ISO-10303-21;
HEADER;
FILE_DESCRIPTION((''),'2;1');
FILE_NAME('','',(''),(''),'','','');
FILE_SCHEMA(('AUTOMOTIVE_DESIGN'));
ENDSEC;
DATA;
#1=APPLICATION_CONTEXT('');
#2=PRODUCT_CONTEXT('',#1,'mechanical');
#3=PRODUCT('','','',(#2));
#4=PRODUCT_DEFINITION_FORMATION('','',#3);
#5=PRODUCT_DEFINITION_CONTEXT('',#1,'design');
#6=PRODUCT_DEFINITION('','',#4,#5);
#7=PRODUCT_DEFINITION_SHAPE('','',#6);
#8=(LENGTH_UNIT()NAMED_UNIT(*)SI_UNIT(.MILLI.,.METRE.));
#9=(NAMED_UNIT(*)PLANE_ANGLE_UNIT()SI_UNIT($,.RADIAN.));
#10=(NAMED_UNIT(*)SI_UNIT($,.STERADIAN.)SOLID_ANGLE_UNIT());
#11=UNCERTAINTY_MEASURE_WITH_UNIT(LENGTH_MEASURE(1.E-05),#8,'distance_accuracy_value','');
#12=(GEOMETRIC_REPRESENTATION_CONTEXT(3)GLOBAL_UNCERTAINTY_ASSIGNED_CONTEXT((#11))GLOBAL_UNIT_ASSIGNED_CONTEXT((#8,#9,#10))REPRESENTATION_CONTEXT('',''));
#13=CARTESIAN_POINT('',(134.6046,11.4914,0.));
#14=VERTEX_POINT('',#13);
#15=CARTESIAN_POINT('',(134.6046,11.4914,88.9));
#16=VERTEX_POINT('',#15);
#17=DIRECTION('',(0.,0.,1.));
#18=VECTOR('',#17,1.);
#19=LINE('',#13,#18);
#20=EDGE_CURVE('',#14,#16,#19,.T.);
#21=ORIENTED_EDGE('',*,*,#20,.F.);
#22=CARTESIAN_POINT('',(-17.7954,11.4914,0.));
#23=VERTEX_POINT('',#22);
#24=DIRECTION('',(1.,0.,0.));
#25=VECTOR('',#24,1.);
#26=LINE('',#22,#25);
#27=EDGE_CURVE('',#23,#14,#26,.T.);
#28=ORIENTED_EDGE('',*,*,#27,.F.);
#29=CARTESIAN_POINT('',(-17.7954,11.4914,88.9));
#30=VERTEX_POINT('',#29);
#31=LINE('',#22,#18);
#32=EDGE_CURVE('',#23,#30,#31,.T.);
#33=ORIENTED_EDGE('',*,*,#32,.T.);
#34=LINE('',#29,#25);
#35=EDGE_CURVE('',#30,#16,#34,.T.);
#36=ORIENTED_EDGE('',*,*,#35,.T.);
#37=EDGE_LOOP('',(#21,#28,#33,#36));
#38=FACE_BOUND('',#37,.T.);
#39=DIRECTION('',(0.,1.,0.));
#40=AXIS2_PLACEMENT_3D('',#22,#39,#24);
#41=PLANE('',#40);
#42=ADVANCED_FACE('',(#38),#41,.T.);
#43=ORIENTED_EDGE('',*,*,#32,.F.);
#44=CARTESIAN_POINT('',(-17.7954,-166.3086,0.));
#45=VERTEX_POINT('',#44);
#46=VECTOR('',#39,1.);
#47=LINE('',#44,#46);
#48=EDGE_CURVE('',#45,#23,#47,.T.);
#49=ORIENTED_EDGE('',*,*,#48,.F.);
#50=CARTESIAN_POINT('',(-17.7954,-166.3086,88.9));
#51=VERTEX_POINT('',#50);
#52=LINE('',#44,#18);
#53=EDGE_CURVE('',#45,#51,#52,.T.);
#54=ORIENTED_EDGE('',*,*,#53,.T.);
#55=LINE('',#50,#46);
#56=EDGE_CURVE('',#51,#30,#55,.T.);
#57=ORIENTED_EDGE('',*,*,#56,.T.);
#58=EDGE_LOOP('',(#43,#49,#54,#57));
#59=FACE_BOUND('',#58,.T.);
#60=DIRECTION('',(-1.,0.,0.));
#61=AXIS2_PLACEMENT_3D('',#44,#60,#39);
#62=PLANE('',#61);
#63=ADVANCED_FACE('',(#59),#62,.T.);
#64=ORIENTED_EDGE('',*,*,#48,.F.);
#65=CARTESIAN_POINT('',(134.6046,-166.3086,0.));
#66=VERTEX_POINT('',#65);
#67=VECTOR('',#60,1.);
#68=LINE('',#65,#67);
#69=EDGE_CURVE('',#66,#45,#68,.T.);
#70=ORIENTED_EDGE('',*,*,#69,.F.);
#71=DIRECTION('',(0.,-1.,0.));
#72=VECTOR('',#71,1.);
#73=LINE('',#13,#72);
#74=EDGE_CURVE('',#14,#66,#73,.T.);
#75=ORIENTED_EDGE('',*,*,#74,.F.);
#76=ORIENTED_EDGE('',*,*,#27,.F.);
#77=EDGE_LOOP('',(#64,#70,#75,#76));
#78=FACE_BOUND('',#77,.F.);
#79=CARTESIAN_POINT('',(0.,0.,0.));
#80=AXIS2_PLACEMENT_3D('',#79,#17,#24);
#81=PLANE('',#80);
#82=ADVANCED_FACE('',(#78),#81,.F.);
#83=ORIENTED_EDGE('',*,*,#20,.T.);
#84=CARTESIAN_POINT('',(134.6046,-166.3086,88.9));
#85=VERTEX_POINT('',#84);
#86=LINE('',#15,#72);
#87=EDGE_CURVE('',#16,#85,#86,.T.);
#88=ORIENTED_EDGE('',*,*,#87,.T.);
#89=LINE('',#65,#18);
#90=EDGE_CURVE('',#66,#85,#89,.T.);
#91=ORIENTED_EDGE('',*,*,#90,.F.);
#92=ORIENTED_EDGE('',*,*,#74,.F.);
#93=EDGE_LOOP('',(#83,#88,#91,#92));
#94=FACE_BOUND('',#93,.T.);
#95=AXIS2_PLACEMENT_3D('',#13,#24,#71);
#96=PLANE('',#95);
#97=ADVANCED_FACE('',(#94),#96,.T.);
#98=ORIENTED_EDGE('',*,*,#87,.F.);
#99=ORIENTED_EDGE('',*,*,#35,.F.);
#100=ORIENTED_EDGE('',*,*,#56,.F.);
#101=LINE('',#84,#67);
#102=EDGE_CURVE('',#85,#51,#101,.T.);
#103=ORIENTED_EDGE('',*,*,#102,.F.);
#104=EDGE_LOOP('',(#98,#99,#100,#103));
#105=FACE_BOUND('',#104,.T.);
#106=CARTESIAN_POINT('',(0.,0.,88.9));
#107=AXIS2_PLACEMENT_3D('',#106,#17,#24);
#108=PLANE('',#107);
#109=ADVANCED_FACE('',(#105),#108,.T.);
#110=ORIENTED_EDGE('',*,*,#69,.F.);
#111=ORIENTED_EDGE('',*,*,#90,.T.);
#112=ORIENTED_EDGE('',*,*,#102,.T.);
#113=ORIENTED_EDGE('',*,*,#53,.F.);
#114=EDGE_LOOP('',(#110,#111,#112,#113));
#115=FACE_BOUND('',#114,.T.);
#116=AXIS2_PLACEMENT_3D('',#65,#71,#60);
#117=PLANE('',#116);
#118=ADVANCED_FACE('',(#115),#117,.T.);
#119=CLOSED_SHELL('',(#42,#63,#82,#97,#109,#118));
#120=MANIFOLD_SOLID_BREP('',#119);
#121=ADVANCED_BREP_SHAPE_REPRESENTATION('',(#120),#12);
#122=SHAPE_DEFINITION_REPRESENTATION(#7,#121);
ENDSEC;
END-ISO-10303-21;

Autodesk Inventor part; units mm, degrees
ref_plane "YZ Plane" through (0, 0, 0) normal (1, 0, 0) x (0, 1, 0)
ref_plane "XZ Plane" through (0, 0, 0) normal (0, 1, 0) x (-1, 0, 0)
ref_plane "XY Plane" through (0, 0, 0) normal (0, 0, 1) x (1, 0, 0)
sketch "Sketch1" plane through (0, 0, 0) normal (0, 0, 1) x (1, 0, 0)
  line L0 (-17.7954, 11.4914) -> (134.6046, 11.4914)
  line L1 (134.6046, 11.4914) -> (134.6046, -166.3086)
  line L2 (134.6046, -166.3086) -> (-17.7954, -166.3086)
  line L3 (-17.7954, -166.3086) -> (-17.7954, 11.4914)
  point P0 (0, 0)
  dimension "d0" = 152.4
  dimension "d1" = 177.8
extrude "Extrusion1" add sketch "Sketch1" along normal blind 88.9
properties part number "dc converter"
